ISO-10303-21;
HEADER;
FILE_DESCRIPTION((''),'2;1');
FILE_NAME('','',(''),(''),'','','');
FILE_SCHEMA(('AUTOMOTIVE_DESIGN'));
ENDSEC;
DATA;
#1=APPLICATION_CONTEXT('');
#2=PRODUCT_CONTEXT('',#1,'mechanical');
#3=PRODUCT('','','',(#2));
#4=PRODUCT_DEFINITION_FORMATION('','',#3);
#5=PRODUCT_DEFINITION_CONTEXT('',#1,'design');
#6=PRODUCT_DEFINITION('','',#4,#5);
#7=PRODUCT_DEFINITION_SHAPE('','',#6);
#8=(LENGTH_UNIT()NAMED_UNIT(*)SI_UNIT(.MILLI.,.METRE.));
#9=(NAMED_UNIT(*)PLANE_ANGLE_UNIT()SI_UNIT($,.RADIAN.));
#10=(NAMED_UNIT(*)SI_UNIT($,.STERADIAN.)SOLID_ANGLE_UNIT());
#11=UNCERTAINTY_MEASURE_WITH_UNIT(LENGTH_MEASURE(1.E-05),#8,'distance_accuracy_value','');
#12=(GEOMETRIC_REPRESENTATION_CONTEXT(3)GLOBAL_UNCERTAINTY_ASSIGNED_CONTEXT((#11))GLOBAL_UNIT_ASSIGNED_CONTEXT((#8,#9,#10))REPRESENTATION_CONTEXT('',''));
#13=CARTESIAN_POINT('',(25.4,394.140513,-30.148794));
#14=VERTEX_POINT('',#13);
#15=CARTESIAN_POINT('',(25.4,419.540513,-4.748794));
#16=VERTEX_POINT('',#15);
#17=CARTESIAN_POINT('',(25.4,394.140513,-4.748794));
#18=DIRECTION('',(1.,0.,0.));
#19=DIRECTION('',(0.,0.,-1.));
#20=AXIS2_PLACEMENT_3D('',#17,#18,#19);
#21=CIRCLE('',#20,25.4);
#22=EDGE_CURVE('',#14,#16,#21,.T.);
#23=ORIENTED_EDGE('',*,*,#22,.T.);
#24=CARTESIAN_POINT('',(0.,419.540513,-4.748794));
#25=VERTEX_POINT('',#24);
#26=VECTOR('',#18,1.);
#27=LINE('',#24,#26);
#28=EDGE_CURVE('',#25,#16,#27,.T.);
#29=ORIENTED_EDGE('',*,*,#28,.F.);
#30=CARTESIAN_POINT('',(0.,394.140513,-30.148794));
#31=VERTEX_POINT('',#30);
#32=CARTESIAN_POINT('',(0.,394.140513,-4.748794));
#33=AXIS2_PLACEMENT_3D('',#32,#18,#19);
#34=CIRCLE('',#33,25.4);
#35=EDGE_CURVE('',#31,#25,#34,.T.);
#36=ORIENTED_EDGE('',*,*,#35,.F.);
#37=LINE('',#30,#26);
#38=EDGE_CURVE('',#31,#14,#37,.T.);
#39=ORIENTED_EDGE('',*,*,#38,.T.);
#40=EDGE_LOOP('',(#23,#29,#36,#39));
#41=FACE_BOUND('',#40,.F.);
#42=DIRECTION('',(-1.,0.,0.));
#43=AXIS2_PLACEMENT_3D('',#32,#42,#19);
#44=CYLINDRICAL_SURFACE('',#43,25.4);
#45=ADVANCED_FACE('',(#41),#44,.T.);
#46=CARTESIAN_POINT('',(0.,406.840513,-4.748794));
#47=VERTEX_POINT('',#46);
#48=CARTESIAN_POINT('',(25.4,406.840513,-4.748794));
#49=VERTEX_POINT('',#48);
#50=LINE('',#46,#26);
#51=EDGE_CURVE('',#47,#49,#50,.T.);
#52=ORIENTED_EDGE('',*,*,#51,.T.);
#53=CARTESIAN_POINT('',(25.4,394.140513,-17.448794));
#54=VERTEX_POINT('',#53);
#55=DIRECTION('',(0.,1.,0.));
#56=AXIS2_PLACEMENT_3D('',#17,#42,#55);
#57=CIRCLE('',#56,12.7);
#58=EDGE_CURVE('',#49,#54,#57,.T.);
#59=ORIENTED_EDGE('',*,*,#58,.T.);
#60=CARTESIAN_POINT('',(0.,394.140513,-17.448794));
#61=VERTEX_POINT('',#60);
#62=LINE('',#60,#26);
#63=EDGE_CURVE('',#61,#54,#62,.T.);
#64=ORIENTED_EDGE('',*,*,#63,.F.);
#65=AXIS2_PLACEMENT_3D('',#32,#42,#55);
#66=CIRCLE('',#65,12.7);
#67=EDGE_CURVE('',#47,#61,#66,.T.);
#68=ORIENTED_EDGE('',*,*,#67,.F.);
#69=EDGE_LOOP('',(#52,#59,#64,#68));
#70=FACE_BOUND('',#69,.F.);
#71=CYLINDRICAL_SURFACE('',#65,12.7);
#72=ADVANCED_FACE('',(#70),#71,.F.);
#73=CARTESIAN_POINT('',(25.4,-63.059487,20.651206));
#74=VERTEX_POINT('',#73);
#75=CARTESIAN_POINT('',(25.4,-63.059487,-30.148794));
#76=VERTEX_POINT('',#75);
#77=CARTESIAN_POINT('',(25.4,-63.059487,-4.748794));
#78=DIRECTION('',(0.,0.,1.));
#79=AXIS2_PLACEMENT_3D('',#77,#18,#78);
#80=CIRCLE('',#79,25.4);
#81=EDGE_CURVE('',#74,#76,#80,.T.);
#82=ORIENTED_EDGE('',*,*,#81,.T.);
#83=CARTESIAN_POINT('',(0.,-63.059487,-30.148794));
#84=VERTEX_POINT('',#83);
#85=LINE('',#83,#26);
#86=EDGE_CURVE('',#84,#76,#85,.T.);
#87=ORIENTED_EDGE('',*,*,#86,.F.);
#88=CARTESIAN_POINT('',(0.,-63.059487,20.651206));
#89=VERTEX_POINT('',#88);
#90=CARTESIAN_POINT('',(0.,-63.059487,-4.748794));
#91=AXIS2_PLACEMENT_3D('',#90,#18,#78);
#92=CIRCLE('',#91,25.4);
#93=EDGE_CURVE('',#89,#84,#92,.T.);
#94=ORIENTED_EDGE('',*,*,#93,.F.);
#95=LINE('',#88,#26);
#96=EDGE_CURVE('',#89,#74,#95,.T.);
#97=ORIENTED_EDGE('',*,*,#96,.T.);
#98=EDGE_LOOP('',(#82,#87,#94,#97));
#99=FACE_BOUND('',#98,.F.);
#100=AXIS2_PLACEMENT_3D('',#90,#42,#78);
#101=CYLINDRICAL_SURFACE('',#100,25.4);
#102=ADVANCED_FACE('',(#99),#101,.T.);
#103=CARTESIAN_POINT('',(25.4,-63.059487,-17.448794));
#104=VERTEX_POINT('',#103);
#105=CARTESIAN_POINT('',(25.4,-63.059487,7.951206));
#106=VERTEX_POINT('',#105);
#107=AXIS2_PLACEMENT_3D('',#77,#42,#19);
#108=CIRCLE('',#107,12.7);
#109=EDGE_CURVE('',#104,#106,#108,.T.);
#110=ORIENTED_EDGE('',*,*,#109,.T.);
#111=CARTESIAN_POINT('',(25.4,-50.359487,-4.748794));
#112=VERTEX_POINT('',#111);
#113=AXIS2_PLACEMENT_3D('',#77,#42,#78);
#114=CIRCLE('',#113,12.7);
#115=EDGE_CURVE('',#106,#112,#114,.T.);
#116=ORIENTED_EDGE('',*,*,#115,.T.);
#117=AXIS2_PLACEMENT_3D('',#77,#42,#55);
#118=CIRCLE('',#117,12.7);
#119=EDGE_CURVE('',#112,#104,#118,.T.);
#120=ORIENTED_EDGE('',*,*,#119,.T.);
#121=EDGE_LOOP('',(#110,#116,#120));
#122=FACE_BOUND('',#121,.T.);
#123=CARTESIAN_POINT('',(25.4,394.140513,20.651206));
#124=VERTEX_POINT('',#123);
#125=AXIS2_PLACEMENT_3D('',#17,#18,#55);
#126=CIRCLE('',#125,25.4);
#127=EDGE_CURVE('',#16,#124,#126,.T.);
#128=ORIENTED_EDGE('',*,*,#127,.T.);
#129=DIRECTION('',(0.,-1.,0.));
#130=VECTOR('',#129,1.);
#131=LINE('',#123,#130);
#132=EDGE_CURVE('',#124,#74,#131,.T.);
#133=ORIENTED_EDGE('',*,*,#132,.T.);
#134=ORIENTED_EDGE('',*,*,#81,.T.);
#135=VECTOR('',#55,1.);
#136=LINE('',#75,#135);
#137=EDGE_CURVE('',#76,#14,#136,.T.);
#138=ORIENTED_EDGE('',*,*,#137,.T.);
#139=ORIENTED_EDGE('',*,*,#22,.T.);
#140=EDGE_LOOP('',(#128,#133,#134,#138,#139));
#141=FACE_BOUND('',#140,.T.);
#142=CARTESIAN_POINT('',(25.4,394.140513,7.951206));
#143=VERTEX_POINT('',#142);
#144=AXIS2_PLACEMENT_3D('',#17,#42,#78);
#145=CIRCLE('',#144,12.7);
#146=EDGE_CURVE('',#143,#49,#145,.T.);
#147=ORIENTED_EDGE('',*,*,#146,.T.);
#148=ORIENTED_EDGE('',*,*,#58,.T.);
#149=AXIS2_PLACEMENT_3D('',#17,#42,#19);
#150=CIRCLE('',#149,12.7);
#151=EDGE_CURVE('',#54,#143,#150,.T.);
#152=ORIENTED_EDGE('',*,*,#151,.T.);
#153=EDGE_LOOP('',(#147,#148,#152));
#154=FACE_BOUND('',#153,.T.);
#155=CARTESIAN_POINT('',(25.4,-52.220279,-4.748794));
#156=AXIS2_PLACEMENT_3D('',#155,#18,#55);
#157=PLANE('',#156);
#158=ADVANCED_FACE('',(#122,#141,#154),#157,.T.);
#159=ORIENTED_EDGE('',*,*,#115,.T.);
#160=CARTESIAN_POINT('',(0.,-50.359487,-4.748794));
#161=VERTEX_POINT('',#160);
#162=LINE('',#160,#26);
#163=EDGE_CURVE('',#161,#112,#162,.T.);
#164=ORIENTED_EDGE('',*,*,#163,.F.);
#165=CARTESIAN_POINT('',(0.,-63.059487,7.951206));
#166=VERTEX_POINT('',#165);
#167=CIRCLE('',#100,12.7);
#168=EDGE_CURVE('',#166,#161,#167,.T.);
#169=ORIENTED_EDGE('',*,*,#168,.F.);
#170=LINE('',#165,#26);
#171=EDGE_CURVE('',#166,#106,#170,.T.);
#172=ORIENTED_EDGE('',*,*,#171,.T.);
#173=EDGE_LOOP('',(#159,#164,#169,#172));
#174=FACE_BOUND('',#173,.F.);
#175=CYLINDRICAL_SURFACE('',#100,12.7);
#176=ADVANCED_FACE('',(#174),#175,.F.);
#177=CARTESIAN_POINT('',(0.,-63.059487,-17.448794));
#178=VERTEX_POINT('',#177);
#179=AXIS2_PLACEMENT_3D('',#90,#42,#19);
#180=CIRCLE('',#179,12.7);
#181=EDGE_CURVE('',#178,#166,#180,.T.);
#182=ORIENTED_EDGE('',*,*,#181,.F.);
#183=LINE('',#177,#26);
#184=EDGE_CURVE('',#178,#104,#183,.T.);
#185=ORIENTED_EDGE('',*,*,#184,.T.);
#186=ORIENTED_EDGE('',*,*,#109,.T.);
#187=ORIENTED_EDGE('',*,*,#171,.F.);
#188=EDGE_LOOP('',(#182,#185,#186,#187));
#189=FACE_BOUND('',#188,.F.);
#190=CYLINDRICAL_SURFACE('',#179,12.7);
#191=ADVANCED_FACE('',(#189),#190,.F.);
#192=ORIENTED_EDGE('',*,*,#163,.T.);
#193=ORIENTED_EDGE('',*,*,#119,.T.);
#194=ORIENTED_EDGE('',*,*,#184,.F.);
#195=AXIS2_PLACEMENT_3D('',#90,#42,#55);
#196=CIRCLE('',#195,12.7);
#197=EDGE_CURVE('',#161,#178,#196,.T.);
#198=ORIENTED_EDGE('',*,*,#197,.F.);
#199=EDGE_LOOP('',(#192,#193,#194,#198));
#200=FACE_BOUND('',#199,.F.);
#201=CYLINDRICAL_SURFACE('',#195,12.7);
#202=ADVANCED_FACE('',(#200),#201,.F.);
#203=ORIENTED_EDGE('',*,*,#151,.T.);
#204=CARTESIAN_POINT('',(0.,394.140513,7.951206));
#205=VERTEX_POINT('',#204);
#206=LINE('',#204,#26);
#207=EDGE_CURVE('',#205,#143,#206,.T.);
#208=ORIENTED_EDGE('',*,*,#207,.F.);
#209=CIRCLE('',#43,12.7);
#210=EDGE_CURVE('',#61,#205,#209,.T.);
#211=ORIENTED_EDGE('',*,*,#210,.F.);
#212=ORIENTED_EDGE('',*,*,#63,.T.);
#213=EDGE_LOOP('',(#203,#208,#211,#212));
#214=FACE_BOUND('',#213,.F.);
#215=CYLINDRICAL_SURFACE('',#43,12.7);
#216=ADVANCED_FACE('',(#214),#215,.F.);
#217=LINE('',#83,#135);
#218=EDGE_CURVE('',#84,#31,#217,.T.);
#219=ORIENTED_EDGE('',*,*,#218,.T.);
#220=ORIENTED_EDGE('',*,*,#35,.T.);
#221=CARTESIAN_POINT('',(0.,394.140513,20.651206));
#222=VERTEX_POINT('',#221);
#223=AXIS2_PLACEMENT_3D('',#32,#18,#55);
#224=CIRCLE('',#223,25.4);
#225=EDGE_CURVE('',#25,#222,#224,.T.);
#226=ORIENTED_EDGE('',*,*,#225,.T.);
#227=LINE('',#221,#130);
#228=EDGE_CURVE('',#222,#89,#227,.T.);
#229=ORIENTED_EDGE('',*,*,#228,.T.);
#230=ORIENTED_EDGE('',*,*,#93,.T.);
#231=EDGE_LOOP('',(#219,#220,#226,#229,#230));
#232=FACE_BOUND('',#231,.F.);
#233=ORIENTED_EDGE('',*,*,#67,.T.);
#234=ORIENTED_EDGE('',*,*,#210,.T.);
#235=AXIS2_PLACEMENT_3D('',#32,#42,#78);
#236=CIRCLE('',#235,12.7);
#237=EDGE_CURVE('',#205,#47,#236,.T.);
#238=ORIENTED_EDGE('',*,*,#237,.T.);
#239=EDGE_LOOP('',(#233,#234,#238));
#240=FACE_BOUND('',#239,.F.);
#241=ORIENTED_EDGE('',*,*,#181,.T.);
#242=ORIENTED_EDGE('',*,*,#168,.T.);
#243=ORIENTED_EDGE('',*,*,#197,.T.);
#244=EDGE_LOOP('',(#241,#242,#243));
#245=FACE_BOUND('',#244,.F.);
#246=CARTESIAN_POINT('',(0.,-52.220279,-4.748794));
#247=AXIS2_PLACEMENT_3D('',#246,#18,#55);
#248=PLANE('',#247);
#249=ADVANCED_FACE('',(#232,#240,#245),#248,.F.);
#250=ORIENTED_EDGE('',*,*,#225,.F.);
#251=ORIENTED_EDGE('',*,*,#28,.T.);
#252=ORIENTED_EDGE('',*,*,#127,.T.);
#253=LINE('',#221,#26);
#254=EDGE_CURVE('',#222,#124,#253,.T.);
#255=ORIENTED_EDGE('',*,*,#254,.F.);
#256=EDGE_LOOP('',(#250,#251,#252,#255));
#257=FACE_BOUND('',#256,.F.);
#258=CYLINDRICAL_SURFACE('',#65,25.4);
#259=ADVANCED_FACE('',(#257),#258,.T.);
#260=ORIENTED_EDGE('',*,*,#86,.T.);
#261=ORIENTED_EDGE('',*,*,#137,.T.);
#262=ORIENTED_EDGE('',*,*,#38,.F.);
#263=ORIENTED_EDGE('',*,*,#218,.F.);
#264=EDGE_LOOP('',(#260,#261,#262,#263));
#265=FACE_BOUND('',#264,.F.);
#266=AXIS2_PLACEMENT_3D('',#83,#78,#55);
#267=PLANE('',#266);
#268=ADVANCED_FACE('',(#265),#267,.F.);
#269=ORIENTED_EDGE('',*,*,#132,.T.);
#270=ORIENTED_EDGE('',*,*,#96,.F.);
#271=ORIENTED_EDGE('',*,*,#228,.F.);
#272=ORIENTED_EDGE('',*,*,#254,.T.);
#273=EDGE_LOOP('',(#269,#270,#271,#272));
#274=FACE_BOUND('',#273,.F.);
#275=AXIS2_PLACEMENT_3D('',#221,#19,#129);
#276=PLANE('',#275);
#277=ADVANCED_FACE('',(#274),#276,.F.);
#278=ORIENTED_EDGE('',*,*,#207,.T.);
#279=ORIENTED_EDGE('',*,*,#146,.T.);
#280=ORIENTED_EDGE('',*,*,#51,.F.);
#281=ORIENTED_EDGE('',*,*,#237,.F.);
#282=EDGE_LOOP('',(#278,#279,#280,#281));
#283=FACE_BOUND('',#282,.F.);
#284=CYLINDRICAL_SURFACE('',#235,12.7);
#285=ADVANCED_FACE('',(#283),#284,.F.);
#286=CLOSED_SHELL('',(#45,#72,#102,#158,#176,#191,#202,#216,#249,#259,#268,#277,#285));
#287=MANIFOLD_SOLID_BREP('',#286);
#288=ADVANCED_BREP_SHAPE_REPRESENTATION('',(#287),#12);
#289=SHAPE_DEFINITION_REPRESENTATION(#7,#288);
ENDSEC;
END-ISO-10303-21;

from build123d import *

# Parameters (mm, degrees)
F1_DEPTH = 25.4


with BuildPart() as f1:
    # F0 (on Right) → F1 (new body)
    with BuildSketch(Plane.YZ):
        with BuildLine():
            ThreePointArc((-37.6594869553, -4.7487942502), (-45.0989747132, 13.2117179919), (-63.0594869553, 20.6512057498))
            Line((-63.0594869553, 20.6512057498), (-63.0594869553, 7.9512057498))
            ThreePointArc((-63.0594869553, 7.9512057498), (-54.0792308342, 4.2314618709), (-50.3594869553, -4.7487942502))
            ThreePointArc((-50.3594869553, -4.7487942502), (-54.0792308342, -13.7290503713), (-63.0594869553, -17.4487942502))
            Line((-63.0594869553, -17.4487942502), (-63.0594869553, -30.1487942502))
            ThreePointArc((-63.0594869553, -30.1487942502), (-45.0989747132, -22.7093064923), (-37.6594869553, -4.7487942502))
        make_face()
        with BuildLine():
            Line((394.1405130447, 20.6512057498), (-63.0594869553, 20.6512057498))
            ThreePointArc((-63.0594869553, 20.6512057498), (-45.0989747132, 13.2117179919), (-37.6594869553, -4.7487942502))
            ThreePointArc((-37.6594869553, -4.7487942502), (-45.0989747132, -22.7093064923), (-63.0594869553, -30.1487942502))
            Line((-63.0594869553, -30.1487942502), (394.1405130447, -30.1487942502))
            ThreePointArc((394.1405130447, -30.1487942502), (368.7405130447, -4.7487942502), (394.1405130447, 20.6512057498))
        make_face()
        with BuildLine():
            Line((-63.0594869553, 7.9512057498), (-63.0594869553, 20.6512057498))
            ThreePointArc((-63.0594869553, 20.6512057498), (-88.4594869553, -4.7487942502), (-63.0594869553, -30.1487942502))
            Line((-63.0594869553, -30.1487942502), (-63.0594869553, -17.4487942502))
            ThreePointArc((-63.0594869553, -17.4487942502), (-75.7594869553, -4.7487942502), (-63.0594869553, 7.9512057498))
        make_face()
        with BuildLine():
            ThreePointArc((419.5405130447, -4.7487942502), (412.1010252868, 13.2117179919), (394.1405130447, 20.6512057498))
            Line((394.1405130447, 20.6512057498), (394.1405130447, 7.9512057498))
            ThreePointArc((394.1405130447, 7.9512057498), (403.1207691658, 4.2314618709), (406.8405130447, -4.7487942502))
            ThreePointArc((406.8405130447, -4.7487942502), (403.1207691658, -13.7290503713), (394.1405130447, -17.4487942502))
            Line((394.1405130447, -17.4487942502), (394.1405130447, -30.1487942502))
            ThreePointArc((394.1405130447, -30.1487942502), (412.1010252868, -22.7093064923), (419.5405130447, -4.7487942502))
        make_face()
        with BuildLine():
            Line((394.1405130447, 7.9512057498), (394.1405130447, 20.6512057498))
            ThreePointArc((394.1405130447, 20.6512057498), (368.7405130447, -4.7487942502), (394.1405130447, -30.1487942502))
            Line((394.1405130447, -30.1487942502), (394.1405130447, -17.4487942502))
            ThreePointArc((394.1405130447, -17.4487942502), (381.4405130447, -4.7487942502), (394.1405130447, 7.9512057498))
        make_face()
    extrude(amount=F1_DEPTH)


solid = f1.part
